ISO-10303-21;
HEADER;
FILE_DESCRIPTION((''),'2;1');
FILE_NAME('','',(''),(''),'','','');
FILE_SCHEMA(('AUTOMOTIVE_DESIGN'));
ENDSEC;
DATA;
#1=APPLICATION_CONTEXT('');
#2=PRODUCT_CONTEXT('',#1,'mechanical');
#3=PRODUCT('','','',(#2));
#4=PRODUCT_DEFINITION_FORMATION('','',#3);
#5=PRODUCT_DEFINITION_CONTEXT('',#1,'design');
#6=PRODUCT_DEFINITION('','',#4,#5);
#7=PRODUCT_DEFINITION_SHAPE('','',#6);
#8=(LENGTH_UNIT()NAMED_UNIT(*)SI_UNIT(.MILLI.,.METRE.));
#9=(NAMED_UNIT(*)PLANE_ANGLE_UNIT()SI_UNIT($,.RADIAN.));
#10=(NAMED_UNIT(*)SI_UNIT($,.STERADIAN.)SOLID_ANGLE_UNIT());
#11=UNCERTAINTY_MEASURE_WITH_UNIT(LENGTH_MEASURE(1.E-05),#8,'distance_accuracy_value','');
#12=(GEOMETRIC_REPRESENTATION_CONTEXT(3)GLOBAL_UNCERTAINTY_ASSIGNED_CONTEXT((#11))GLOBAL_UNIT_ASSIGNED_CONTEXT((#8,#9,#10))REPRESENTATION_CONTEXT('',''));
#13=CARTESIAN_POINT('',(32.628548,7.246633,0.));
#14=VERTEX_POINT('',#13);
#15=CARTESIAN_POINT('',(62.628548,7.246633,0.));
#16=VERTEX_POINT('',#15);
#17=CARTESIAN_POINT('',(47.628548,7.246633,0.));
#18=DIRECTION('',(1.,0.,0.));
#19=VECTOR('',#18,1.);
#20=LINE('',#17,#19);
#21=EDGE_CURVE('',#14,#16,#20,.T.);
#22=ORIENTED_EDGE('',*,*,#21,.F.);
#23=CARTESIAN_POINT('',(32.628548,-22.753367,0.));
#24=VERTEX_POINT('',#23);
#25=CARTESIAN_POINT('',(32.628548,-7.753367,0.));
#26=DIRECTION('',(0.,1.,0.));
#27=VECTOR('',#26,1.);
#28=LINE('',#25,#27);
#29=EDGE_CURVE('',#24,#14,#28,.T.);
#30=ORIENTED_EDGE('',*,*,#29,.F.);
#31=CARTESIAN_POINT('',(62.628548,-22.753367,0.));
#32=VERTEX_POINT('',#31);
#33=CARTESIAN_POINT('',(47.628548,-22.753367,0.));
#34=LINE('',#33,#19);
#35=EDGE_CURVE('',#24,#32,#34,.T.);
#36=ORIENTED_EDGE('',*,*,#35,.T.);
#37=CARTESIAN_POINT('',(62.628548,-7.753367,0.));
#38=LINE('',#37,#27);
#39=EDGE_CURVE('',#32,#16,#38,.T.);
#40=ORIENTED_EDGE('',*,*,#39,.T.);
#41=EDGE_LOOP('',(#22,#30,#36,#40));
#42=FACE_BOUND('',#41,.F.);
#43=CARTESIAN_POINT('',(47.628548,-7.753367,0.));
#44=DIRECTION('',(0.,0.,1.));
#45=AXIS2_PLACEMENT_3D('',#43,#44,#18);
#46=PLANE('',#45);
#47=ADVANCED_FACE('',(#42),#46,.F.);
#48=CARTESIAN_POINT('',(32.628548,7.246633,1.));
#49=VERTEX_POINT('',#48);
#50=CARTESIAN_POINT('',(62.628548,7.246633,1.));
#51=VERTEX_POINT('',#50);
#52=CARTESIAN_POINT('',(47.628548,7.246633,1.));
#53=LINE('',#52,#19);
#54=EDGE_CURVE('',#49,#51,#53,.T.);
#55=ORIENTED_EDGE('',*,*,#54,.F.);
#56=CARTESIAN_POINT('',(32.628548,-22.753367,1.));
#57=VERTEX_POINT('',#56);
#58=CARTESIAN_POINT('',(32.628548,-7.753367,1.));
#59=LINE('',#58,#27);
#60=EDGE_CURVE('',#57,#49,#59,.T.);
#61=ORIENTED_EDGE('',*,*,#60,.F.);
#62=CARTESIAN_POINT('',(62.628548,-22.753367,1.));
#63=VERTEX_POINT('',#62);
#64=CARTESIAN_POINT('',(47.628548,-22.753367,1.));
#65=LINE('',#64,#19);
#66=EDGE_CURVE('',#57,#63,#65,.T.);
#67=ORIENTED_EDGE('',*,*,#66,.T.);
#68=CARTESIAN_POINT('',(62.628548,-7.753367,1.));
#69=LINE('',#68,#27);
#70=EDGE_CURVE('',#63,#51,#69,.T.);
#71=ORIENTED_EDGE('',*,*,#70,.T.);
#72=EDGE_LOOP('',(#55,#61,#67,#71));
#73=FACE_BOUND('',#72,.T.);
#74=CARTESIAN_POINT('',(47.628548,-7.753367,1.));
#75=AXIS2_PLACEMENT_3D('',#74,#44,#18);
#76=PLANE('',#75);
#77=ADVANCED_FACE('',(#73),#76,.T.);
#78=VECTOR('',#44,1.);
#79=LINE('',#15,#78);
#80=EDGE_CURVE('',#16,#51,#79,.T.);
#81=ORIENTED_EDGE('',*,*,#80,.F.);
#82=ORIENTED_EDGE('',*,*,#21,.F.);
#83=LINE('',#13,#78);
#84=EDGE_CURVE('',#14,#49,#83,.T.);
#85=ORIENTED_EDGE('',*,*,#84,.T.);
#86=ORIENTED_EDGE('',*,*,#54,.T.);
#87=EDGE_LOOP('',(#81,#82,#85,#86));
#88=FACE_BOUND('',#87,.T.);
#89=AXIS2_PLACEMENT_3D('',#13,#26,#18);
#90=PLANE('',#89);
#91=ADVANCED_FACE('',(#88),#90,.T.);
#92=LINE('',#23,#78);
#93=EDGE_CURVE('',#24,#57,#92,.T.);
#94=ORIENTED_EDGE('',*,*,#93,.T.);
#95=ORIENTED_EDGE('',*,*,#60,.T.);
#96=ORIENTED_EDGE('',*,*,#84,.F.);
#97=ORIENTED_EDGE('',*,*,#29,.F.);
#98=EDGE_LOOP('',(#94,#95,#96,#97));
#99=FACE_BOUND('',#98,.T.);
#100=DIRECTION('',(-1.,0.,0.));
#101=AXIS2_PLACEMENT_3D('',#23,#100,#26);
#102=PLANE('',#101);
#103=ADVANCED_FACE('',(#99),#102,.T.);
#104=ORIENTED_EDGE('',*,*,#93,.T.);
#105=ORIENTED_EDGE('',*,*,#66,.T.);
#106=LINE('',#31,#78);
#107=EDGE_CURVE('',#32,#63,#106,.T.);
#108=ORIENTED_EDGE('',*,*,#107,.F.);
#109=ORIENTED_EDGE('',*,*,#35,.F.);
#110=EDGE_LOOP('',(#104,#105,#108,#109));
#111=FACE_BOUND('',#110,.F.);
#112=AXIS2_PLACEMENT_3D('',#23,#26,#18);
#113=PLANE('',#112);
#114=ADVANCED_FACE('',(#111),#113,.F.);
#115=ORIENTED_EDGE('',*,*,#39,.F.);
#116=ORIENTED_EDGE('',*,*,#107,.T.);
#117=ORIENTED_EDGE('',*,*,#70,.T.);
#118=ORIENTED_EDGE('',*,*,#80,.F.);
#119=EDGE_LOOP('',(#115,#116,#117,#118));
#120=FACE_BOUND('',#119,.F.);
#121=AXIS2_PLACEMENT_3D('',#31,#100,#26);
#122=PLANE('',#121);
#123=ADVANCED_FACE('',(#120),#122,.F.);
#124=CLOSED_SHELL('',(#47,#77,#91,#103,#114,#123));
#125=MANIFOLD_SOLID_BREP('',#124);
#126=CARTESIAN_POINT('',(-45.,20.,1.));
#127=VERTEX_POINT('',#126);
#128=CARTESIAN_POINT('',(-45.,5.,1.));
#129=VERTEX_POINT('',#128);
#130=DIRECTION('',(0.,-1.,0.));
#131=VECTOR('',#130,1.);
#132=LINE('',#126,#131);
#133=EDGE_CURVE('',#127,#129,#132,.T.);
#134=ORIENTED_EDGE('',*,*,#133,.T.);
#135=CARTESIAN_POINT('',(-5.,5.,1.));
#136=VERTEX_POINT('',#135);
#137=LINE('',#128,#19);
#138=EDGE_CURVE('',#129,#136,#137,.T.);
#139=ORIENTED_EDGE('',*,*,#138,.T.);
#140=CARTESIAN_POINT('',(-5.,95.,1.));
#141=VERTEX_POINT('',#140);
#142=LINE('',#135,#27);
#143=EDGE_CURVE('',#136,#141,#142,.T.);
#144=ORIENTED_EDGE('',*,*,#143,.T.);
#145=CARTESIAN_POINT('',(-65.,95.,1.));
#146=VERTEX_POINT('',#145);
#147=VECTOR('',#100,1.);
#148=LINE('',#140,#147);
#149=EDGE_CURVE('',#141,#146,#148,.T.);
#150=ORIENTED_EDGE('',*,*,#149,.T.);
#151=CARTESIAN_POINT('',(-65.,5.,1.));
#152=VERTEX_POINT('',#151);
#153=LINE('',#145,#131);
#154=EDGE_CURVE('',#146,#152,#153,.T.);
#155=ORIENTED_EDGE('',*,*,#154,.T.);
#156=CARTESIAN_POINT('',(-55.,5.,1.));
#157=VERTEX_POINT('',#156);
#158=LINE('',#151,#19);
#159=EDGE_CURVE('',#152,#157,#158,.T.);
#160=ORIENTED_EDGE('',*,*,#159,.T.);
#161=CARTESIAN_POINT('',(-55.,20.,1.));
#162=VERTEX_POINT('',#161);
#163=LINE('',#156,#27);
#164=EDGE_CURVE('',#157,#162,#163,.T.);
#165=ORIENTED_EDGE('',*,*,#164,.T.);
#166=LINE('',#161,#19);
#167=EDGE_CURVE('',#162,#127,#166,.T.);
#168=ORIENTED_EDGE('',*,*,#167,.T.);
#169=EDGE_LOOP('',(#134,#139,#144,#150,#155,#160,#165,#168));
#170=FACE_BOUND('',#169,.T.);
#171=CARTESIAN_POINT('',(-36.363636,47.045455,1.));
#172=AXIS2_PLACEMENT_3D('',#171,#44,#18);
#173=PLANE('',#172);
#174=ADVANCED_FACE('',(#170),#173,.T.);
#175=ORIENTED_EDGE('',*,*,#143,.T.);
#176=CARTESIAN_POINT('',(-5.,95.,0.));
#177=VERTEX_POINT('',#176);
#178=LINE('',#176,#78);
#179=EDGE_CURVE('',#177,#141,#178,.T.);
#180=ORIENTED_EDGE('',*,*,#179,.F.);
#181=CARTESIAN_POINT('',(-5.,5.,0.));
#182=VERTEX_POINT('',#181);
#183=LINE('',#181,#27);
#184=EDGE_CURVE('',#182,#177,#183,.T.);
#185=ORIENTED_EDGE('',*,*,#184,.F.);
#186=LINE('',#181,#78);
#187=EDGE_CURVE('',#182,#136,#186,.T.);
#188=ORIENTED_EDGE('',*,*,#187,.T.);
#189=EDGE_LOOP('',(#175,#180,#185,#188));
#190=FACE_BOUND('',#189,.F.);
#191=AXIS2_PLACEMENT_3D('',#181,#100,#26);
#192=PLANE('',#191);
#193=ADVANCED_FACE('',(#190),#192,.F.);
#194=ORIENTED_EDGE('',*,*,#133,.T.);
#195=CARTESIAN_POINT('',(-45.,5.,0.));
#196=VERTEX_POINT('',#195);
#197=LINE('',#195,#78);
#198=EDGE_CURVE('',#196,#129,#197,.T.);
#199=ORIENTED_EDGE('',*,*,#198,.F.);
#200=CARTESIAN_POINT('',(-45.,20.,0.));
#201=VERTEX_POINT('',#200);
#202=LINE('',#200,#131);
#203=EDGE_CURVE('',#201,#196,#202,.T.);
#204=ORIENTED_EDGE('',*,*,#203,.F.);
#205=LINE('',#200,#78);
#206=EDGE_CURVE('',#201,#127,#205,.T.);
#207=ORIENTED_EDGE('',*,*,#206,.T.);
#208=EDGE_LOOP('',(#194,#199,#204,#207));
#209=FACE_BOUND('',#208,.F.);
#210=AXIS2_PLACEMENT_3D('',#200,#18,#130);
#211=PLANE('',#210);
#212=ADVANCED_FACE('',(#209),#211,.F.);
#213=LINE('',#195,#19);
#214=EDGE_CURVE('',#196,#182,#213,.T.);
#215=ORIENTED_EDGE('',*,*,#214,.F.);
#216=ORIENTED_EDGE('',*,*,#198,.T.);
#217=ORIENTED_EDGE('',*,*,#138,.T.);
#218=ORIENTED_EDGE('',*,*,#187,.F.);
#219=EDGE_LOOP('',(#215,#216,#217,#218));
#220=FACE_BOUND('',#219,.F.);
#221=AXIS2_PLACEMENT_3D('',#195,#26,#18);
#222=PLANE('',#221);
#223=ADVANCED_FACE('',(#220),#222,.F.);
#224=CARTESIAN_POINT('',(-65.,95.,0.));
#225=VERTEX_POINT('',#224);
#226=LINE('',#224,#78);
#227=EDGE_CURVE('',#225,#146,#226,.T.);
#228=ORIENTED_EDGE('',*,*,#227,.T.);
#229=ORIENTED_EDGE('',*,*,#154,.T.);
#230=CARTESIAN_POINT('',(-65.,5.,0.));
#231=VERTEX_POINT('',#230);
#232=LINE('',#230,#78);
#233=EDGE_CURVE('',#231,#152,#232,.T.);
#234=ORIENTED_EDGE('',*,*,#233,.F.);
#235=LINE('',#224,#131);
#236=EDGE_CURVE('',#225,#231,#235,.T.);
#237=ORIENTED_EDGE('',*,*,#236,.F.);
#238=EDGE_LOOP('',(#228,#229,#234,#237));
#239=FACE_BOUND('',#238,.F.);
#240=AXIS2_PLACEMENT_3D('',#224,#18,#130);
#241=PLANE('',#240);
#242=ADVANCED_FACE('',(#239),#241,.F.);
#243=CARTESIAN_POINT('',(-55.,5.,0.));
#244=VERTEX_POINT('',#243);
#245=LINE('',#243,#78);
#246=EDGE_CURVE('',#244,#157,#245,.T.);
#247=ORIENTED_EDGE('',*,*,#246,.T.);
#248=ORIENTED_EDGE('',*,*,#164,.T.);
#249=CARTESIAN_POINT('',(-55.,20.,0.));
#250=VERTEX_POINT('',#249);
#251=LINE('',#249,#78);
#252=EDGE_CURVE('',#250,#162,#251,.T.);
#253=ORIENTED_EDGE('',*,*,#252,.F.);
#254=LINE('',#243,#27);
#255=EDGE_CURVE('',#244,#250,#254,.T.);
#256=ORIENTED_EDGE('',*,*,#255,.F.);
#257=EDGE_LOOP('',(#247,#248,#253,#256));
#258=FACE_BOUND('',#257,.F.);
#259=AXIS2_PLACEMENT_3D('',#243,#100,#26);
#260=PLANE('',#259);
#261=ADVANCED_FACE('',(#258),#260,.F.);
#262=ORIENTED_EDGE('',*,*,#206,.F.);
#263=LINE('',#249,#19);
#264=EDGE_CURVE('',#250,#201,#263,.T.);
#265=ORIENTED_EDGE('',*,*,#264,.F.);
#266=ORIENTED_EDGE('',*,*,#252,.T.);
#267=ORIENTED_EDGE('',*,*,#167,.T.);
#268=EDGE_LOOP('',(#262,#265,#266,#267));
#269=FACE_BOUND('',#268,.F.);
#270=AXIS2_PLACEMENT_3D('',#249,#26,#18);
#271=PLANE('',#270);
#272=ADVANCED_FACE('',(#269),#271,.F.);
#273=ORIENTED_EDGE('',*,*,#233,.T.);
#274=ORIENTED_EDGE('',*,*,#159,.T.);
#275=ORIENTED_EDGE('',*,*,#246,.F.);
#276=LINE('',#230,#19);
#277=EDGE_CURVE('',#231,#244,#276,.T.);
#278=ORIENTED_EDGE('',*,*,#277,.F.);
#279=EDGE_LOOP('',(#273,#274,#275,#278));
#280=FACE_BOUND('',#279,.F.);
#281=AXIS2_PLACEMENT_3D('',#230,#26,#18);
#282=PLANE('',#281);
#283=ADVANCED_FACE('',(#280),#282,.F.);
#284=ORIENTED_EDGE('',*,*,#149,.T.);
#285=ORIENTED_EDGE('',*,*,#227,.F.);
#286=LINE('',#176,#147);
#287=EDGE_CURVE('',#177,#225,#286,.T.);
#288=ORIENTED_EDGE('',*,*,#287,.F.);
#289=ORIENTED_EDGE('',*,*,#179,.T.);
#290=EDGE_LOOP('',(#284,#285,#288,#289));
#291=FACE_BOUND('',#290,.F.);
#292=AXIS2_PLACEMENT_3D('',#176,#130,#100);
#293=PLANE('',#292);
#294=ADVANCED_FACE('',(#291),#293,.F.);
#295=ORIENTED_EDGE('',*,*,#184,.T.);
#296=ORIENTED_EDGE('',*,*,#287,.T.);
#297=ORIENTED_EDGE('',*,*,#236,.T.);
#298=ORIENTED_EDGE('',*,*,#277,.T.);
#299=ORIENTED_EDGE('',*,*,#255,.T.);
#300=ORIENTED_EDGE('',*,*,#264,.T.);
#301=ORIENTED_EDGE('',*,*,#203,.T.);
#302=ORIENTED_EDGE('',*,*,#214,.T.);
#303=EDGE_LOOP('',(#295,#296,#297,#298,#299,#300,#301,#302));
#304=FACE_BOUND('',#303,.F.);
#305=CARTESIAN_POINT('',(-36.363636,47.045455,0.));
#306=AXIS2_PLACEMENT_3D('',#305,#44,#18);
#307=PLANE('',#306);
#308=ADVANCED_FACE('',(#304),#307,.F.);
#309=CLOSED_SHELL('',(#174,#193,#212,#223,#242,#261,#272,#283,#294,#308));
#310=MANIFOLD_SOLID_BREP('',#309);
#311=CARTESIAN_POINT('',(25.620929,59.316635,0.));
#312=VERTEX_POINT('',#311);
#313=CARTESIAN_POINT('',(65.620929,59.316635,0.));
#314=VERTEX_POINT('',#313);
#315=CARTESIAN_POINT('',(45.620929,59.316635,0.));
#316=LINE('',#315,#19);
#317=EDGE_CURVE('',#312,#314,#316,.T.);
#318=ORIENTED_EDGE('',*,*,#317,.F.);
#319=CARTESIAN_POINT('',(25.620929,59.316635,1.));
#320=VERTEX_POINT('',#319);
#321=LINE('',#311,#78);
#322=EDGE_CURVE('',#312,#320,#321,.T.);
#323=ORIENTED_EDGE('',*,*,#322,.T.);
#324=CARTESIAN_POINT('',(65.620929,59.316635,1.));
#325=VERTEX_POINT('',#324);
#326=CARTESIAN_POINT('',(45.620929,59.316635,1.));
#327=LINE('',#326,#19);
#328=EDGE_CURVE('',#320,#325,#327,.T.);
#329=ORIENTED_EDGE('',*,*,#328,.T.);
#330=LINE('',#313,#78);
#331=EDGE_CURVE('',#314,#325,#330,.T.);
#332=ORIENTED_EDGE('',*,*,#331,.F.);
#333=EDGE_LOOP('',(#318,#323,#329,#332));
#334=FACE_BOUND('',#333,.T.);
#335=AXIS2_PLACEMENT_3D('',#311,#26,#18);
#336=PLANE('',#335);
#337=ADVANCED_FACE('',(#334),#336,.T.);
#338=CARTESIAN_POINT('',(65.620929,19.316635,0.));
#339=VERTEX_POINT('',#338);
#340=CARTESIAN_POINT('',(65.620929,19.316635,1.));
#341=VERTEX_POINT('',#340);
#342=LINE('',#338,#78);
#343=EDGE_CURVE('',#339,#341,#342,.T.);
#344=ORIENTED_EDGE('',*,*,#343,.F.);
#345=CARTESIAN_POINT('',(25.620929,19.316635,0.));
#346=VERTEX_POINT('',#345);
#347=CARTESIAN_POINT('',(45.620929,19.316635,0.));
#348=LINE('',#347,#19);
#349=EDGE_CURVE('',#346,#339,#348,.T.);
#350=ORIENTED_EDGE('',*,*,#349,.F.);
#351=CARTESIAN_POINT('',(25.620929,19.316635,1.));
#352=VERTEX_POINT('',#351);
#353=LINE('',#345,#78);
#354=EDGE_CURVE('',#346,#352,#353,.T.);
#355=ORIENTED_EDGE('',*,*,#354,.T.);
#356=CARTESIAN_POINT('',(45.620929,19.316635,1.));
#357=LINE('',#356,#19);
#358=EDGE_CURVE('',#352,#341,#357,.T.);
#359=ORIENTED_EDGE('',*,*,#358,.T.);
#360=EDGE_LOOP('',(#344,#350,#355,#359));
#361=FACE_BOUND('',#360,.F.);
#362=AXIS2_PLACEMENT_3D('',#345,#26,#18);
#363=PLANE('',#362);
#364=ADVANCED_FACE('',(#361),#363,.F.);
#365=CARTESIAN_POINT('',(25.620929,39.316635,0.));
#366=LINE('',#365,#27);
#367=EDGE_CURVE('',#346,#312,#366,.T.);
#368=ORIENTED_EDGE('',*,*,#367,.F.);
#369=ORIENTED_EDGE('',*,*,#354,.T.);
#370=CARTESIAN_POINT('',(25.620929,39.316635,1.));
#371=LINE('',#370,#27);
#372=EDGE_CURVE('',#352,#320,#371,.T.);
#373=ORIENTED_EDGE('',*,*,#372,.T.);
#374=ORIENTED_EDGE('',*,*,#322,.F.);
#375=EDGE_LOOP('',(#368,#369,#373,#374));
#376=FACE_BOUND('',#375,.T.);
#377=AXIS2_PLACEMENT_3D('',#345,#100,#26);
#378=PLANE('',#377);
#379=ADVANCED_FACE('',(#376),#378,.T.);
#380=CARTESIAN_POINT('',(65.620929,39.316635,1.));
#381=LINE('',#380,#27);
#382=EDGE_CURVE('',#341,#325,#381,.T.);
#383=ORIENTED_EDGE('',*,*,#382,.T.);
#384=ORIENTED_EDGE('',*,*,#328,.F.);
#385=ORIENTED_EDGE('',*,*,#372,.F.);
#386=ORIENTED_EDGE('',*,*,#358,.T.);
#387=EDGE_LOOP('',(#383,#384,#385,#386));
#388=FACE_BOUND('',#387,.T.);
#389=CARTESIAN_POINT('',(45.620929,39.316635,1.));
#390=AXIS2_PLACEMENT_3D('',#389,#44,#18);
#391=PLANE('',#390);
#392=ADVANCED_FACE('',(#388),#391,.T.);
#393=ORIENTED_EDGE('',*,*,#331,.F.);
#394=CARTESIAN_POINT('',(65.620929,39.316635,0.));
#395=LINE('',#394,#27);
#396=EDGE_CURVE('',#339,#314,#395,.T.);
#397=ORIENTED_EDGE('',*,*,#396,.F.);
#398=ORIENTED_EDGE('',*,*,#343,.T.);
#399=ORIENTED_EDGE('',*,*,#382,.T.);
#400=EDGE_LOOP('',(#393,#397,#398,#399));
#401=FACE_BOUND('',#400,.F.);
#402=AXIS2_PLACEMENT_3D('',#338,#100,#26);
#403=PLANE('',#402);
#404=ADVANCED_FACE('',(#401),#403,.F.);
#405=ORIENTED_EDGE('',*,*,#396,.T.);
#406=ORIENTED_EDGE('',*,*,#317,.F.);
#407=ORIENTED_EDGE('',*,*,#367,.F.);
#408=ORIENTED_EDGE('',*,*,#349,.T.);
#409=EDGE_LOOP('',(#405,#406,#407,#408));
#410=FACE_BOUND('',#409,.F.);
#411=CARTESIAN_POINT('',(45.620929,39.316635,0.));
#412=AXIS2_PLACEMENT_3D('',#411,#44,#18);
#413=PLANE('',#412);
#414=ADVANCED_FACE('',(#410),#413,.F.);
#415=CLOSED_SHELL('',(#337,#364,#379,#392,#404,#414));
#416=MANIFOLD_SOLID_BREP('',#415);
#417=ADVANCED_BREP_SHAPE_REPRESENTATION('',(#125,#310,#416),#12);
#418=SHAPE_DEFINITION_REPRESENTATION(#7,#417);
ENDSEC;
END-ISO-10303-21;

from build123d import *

# Parameters (mm, degrees)
F1_DEPTH = 1
F2_W     = 40
F2_H     = 40
F2_W_2   = 30
F2_H_2   = 30
F3_DEPTH = 1


with BuildPart() as f1:
    # F0 (on Top) → F1 (new body)
    with BuildSketch(Plane.XY):
        Polygon((-5, 95), (-65, 95), (-65, 5), (-55, 5), (-55, 20), (-45, 20), (-45, 5), (-5, 5), align=None)
    extrude(amount=F1_DEPTH)


with BuildPart() as f3:
    # F2 (on Top) → F3 (new body)
    with BuildSketch(Plane.XY):
        with Locations((45.620929, 39.316635)):
            Rectangle(F2_W, F2_H)
        with Locations((47.628548, -7.753367)):
            Rectangle(F2_W_2, F2_H_2)
    extrude(amount=F3_DEPTH)


solid = Compound([f1.part, f3.part])
